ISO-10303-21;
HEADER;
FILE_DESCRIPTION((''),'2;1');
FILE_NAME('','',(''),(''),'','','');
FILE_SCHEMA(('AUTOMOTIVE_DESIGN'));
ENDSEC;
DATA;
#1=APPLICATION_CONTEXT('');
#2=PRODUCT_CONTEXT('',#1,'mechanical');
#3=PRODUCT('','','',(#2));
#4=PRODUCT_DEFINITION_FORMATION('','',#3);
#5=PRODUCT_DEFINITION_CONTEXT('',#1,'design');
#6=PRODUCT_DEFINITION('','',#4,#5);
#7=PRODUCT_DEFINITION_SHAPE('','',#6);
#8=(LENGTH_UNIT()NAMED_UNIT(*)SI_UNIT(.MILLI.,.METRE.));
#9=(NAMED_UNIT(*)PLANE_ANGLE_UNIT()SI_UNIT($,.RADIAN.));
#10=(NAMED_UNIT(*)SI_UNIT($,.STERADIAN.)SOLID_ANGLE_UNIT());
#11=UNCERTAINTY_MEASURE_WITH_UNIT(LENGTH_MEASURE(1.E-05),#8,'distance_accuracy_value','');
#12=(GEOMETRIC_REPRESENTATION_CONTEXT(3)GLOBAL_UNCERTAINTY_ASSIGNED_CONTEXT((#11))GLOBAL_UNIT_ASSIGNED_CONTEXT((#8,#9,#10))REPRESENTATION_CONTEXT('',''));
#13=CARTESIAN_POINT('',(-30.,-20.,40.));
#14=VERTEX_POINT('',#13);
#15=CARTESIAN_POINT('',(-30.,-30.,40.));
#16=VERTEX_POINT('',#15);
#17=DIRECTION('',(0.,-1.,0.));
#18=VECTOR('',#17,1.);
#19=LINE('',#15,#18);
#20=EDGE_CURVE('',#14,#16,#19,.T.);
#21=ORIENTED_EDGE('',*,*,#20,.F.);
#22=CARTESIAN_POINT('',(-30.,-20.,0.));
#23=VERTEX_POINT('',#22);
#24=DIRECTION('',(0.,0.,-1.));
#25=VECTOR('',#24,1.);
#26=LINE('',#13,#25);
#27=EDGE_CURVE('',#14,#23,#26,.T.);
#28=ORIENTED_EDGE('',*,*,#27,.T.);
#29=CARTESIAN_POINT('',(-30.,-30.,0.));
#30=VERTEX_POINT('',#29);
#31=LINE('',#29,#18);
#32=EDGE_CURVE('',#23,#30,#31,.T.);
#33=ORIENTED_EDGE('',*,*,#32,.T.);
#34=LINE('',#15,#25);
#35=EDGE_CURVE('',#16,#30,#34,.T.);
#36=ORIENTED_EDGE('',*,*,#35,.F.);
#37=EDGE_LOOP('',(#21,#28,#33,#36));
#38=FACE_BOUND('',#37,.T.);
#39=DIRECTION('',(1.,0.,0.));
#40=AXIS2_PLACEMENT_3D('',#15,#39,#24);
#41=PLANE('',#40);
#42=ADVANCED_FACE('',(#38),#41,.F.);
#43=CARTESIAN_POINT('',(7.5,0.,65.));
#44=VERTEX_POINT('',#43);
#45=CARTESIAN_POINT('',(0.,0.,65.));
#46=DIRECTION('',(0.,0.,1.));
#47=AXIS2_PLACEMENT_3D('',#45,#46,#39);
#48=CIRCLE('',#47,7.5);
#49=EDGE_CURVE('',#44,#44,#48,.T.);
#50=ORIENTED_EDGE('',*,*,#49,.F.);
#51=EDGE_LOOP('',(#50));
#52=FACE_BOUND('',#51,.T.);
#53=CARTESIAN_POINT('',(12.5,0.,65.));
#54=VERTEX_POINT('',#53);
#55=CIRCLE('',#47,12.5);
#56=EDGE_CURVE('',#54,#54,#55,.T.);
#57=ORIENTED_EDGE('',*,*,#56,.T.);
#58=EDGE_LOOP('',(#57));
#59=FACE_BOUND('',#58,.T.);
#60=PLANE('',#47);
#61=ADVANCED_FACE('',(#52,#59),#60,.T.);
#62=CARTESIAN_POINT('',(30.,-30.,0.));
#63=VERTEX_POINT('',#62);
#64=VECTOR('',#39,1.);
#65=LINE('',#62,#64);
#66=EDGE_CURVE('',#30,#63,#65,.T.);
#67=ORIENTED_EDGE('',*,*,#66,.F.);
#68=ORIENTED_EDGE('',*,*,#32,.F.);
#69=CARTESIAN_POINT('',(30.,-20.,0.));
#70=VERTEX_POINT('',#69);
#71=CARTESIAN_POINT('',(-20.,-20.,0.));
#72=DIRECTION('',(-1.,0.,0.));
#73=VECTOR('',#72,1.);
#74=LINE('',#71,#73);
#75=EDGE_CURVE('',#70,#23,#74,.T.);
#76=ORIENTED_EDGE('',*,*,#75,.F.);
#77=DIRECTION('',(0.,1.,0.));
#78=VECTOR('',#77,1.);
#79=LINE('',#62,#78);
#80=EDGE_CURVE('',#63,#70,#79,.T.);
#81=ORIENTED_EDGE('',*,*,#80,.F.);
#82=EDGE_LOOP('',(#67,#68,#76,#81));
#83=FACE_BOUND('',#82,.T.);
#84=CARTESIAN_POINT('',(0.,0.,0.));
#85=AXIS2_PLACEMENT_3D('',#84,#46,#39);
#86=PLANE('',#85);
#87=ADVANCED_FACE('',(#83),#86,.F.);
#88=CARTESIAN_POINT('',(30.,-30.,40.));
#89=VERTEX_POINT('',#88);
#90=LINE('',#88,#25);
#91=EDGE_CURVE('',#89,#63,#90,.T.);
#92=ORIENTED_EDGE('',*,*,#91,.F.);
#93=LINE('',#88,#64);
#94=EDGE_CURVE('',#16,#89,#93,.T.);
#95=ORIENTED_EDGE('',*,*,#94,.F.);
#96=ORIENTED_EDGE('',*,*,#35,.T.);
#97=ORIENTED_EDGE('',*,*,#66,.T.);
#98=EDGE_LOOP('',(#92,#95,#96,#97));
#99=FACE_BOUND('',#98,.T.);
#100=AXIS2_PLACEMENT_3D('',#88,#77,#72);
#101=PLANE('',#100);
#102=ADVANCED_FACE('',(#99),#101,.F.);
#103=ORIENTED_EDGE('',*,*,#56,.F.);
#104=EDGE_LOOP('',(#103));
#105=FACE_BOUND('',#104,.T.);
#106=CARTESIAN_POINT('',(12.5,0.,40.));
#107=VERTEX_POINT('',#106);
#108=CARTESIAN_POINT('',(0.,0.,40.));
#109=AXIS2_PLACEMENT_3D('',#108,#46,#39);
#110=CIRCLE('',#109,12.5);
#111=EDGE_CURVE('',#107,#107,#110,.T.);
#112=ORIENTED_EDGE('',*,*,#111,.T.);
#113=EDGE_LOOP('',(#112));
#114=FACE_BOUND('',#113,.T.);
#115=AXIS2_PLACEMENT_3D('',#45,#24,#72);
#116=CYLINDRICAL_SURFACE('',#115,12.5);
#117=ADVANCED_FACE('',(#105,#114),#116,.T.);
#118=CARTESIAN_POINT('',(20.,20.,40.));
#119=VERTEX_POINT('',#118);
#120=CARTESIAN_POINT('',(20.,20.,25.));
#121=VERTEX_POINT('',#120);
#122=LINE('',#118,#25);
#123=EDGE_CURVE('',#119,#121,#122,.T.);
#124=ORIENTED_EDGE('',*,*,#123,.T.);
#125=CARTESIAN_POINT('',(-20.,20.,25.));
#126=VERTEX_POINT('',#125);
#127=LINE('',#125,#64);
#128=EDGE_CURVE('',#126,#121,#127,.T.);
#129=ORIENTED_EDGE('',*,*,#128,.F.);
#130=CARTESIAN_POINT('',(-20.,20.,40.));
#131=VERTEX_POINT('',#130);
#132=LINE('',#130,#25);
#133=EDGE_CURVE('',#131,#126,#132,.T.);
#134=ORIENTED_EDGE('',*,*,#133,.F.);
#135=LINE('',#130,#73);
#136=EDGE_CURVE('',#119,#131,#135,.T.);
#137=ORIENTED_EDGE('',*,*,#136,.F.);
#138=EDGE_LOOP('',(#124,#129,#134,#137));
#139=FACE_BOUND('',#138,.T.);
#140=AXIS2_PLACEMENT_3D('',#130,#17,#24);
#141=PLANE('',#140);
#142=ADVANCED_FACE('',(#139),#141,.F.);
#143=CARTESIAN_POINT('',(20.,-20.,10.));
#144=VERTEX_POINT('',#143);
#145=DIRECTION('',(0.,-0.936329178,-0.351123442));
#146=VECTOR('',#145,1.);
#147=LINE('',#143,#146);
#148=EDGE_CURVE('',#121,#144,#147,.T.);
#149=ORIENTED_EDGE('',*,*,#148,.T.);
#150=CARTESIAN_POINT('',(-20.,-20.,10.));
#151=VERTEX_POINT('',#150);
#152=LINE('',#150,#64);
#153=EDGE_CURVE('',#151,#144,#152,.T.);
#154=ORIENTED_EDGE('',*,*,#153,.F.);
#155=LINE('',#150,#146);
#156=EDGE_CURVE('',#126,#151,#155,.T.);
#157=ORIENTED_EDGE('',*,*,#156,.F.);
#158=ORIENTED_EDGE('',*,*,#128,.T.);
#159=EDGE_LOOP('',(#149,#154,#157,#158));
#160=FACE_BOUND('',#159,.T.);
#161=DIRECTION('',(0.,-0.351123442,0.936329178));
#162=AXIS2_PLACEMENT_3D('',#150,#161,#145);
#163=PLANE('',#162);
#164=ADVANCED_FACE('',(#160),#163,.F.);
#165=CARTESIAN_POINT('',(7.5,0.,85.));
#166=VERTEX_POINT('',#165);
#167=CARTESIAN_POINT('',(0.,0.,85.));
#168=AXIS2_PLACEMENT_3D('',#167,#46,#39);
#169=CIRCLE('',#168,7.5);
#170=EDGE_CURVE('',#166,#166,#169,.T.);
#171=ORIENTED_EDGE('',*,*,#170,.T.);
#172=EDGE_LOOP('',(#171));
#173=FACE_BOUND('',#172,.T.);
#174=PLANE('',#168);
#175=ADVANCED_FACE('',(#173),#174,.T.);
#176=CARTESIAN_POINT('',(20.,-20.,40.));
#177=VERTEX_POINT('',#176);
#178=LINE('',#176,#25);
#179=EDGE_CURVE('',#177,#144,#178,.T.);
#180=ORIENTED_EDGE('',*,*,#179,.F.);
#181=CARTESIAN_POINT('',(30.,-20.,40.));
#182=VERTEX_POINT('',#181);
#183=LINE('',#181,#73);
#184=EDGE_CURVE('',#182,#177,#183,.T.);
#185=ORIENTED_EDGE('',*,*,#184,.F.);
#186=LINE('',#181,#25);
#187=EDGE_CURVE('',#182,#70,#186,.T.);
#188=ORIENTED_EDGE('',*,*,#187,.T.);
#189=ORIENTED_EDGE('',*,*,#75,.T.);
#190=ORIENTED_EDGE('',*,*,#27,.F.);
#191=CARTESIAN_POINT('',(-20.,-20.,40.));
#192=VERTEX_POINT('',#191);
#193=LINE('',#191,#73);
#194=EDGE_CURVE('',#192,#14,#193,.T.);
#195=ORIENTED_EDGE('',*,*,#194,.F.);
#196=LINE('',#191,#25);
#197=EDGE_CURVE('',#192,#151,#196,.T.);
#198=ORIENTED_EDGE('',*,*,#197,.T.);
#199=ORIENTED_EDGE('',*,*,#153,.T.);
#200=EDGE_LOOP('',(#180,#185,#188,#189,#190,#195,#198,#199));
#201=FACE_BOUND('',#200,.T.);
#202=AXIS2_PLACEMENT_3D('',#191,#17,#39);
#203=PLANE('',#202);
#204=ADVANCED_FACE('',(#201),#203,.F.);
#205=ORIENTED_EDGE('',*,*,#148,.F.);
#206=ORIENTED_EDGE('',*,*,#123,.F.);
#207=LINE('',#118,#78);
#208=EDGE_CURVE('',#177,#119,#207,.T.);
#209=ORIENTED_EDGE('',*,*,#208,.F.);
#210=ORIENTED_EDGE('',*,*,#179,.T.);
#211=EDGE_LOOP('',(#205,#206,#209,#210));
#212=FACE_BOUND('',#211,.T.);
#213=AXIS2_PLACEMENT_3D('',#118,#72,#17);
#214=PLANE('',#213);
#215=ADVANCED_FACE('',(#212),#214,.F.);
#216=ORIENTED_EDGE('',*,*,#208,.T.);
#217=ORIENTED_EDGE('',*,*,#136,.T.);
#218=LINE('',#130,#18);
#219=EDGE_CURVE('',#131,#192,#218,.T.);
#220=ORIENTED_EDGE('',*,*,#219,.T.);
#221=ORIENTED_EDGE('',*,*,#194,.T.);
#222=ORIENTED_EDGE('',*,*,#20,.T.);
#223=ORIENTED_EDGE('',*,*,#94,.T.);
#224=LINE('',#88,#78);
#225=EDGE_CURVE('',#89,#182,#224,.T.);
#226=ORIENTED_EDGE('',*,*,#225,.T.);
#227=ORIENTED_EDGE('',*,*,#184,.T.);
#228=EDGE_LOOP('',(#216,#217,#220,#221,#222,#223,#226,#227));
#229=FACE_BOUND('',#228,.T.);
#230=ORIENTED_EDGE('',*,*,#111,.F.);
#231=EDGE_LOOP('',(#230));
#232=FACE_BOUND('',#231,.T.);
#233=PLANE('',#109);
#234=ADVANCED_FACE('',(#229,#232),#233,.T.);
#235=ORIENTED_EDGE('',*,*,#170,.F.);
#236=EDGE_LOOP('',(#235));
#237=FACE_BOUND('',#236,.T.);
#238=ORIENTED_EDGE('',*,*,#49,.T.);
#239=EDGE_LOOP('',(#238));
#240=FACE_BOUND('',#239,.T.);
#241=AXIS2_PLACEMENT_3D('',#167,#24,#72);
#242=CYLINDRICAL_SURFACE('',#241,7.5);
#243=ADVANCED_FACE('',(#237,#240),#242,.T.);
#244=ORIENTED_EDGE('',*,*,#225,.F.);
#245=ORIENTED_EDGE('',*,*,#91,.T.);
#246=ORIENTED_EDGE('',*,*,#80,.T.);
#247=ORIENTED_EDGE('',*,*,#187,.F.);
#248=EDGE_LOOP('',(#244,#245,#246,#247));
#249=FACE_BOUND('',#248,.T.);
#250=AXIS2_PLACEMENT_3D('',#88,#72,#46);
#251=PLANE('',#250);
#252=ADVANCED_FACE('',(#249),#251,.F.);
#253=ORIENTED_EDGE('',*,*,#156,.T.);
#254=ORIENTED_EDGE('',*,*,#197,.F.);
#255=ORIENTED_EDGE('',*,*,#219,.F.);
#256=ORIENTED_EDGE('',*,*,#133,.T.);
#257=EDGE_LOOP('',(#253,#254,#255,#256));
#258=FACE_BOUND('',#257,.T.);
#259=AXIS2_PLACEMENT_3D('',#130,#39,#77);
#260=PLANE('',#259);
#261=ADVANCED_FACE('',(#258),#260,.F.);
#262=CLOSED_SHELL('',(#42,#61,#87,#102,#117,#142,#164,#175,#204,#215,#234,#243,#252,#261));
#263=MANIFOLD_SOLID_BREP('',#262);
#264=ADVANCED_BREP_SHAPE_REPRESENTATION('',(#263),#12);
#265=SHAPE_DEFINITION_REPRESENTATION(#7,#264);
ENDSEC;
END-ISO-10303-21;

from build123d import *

# Parameters (mm, degrees)
EXTRUDE_1_DEPTH     = 40
CUT_EXTRUDE_1_DEPTH = 40
SKETCH_3_R          = 12.5
EXTRUDE_2_DEPTH     = 25
SKETCH_4_R          = 7.5
EXTRUDE_3_DEPTH     = 20


with BuildPart() as part:
    # 草图1 → 凸台-拉伸1 (new body)
    with BuildSketch(Plane.XY):
        Polygon((-20, -20), (-30, -20), (-30, -30), (30, -30), (30, -20), (20, -20), (20, 20), (-20, 20), align=None)
    extrude(amount=EXTRUDE_1_DEPTH)

    # 草图2 → 切除-拉伸1 (cut)
    with BuildSketch(Plane(origin=(20, 0, 0), x_dir=(0, 0, -1), z_dir=(1, 0, 0))):
        Polygon((0, -20), (-10, -20), (-25, 20), (0, 20), align=None)
    extrude(amount=-CUT_EXTRUDE_1_DEPTH, mode=Mode.SUBTRACT)

    # 草图3 → 凸台-拉伸2 (add)
    with BuildSketch(Plane.XY.offset(40)):
        Circle(SKETCH_3_R)
    extrude(amount=EXTRUDE_2_DEPTH)

    # 草图4 → 凸台-拉伸3 (add)
    with BuildSketch(Plane.XY.offset(65)):
        Circle(SKETCH_4_R)
    extrude(amount=EXTRUDE_3_DEPTH)


solid = part.part
